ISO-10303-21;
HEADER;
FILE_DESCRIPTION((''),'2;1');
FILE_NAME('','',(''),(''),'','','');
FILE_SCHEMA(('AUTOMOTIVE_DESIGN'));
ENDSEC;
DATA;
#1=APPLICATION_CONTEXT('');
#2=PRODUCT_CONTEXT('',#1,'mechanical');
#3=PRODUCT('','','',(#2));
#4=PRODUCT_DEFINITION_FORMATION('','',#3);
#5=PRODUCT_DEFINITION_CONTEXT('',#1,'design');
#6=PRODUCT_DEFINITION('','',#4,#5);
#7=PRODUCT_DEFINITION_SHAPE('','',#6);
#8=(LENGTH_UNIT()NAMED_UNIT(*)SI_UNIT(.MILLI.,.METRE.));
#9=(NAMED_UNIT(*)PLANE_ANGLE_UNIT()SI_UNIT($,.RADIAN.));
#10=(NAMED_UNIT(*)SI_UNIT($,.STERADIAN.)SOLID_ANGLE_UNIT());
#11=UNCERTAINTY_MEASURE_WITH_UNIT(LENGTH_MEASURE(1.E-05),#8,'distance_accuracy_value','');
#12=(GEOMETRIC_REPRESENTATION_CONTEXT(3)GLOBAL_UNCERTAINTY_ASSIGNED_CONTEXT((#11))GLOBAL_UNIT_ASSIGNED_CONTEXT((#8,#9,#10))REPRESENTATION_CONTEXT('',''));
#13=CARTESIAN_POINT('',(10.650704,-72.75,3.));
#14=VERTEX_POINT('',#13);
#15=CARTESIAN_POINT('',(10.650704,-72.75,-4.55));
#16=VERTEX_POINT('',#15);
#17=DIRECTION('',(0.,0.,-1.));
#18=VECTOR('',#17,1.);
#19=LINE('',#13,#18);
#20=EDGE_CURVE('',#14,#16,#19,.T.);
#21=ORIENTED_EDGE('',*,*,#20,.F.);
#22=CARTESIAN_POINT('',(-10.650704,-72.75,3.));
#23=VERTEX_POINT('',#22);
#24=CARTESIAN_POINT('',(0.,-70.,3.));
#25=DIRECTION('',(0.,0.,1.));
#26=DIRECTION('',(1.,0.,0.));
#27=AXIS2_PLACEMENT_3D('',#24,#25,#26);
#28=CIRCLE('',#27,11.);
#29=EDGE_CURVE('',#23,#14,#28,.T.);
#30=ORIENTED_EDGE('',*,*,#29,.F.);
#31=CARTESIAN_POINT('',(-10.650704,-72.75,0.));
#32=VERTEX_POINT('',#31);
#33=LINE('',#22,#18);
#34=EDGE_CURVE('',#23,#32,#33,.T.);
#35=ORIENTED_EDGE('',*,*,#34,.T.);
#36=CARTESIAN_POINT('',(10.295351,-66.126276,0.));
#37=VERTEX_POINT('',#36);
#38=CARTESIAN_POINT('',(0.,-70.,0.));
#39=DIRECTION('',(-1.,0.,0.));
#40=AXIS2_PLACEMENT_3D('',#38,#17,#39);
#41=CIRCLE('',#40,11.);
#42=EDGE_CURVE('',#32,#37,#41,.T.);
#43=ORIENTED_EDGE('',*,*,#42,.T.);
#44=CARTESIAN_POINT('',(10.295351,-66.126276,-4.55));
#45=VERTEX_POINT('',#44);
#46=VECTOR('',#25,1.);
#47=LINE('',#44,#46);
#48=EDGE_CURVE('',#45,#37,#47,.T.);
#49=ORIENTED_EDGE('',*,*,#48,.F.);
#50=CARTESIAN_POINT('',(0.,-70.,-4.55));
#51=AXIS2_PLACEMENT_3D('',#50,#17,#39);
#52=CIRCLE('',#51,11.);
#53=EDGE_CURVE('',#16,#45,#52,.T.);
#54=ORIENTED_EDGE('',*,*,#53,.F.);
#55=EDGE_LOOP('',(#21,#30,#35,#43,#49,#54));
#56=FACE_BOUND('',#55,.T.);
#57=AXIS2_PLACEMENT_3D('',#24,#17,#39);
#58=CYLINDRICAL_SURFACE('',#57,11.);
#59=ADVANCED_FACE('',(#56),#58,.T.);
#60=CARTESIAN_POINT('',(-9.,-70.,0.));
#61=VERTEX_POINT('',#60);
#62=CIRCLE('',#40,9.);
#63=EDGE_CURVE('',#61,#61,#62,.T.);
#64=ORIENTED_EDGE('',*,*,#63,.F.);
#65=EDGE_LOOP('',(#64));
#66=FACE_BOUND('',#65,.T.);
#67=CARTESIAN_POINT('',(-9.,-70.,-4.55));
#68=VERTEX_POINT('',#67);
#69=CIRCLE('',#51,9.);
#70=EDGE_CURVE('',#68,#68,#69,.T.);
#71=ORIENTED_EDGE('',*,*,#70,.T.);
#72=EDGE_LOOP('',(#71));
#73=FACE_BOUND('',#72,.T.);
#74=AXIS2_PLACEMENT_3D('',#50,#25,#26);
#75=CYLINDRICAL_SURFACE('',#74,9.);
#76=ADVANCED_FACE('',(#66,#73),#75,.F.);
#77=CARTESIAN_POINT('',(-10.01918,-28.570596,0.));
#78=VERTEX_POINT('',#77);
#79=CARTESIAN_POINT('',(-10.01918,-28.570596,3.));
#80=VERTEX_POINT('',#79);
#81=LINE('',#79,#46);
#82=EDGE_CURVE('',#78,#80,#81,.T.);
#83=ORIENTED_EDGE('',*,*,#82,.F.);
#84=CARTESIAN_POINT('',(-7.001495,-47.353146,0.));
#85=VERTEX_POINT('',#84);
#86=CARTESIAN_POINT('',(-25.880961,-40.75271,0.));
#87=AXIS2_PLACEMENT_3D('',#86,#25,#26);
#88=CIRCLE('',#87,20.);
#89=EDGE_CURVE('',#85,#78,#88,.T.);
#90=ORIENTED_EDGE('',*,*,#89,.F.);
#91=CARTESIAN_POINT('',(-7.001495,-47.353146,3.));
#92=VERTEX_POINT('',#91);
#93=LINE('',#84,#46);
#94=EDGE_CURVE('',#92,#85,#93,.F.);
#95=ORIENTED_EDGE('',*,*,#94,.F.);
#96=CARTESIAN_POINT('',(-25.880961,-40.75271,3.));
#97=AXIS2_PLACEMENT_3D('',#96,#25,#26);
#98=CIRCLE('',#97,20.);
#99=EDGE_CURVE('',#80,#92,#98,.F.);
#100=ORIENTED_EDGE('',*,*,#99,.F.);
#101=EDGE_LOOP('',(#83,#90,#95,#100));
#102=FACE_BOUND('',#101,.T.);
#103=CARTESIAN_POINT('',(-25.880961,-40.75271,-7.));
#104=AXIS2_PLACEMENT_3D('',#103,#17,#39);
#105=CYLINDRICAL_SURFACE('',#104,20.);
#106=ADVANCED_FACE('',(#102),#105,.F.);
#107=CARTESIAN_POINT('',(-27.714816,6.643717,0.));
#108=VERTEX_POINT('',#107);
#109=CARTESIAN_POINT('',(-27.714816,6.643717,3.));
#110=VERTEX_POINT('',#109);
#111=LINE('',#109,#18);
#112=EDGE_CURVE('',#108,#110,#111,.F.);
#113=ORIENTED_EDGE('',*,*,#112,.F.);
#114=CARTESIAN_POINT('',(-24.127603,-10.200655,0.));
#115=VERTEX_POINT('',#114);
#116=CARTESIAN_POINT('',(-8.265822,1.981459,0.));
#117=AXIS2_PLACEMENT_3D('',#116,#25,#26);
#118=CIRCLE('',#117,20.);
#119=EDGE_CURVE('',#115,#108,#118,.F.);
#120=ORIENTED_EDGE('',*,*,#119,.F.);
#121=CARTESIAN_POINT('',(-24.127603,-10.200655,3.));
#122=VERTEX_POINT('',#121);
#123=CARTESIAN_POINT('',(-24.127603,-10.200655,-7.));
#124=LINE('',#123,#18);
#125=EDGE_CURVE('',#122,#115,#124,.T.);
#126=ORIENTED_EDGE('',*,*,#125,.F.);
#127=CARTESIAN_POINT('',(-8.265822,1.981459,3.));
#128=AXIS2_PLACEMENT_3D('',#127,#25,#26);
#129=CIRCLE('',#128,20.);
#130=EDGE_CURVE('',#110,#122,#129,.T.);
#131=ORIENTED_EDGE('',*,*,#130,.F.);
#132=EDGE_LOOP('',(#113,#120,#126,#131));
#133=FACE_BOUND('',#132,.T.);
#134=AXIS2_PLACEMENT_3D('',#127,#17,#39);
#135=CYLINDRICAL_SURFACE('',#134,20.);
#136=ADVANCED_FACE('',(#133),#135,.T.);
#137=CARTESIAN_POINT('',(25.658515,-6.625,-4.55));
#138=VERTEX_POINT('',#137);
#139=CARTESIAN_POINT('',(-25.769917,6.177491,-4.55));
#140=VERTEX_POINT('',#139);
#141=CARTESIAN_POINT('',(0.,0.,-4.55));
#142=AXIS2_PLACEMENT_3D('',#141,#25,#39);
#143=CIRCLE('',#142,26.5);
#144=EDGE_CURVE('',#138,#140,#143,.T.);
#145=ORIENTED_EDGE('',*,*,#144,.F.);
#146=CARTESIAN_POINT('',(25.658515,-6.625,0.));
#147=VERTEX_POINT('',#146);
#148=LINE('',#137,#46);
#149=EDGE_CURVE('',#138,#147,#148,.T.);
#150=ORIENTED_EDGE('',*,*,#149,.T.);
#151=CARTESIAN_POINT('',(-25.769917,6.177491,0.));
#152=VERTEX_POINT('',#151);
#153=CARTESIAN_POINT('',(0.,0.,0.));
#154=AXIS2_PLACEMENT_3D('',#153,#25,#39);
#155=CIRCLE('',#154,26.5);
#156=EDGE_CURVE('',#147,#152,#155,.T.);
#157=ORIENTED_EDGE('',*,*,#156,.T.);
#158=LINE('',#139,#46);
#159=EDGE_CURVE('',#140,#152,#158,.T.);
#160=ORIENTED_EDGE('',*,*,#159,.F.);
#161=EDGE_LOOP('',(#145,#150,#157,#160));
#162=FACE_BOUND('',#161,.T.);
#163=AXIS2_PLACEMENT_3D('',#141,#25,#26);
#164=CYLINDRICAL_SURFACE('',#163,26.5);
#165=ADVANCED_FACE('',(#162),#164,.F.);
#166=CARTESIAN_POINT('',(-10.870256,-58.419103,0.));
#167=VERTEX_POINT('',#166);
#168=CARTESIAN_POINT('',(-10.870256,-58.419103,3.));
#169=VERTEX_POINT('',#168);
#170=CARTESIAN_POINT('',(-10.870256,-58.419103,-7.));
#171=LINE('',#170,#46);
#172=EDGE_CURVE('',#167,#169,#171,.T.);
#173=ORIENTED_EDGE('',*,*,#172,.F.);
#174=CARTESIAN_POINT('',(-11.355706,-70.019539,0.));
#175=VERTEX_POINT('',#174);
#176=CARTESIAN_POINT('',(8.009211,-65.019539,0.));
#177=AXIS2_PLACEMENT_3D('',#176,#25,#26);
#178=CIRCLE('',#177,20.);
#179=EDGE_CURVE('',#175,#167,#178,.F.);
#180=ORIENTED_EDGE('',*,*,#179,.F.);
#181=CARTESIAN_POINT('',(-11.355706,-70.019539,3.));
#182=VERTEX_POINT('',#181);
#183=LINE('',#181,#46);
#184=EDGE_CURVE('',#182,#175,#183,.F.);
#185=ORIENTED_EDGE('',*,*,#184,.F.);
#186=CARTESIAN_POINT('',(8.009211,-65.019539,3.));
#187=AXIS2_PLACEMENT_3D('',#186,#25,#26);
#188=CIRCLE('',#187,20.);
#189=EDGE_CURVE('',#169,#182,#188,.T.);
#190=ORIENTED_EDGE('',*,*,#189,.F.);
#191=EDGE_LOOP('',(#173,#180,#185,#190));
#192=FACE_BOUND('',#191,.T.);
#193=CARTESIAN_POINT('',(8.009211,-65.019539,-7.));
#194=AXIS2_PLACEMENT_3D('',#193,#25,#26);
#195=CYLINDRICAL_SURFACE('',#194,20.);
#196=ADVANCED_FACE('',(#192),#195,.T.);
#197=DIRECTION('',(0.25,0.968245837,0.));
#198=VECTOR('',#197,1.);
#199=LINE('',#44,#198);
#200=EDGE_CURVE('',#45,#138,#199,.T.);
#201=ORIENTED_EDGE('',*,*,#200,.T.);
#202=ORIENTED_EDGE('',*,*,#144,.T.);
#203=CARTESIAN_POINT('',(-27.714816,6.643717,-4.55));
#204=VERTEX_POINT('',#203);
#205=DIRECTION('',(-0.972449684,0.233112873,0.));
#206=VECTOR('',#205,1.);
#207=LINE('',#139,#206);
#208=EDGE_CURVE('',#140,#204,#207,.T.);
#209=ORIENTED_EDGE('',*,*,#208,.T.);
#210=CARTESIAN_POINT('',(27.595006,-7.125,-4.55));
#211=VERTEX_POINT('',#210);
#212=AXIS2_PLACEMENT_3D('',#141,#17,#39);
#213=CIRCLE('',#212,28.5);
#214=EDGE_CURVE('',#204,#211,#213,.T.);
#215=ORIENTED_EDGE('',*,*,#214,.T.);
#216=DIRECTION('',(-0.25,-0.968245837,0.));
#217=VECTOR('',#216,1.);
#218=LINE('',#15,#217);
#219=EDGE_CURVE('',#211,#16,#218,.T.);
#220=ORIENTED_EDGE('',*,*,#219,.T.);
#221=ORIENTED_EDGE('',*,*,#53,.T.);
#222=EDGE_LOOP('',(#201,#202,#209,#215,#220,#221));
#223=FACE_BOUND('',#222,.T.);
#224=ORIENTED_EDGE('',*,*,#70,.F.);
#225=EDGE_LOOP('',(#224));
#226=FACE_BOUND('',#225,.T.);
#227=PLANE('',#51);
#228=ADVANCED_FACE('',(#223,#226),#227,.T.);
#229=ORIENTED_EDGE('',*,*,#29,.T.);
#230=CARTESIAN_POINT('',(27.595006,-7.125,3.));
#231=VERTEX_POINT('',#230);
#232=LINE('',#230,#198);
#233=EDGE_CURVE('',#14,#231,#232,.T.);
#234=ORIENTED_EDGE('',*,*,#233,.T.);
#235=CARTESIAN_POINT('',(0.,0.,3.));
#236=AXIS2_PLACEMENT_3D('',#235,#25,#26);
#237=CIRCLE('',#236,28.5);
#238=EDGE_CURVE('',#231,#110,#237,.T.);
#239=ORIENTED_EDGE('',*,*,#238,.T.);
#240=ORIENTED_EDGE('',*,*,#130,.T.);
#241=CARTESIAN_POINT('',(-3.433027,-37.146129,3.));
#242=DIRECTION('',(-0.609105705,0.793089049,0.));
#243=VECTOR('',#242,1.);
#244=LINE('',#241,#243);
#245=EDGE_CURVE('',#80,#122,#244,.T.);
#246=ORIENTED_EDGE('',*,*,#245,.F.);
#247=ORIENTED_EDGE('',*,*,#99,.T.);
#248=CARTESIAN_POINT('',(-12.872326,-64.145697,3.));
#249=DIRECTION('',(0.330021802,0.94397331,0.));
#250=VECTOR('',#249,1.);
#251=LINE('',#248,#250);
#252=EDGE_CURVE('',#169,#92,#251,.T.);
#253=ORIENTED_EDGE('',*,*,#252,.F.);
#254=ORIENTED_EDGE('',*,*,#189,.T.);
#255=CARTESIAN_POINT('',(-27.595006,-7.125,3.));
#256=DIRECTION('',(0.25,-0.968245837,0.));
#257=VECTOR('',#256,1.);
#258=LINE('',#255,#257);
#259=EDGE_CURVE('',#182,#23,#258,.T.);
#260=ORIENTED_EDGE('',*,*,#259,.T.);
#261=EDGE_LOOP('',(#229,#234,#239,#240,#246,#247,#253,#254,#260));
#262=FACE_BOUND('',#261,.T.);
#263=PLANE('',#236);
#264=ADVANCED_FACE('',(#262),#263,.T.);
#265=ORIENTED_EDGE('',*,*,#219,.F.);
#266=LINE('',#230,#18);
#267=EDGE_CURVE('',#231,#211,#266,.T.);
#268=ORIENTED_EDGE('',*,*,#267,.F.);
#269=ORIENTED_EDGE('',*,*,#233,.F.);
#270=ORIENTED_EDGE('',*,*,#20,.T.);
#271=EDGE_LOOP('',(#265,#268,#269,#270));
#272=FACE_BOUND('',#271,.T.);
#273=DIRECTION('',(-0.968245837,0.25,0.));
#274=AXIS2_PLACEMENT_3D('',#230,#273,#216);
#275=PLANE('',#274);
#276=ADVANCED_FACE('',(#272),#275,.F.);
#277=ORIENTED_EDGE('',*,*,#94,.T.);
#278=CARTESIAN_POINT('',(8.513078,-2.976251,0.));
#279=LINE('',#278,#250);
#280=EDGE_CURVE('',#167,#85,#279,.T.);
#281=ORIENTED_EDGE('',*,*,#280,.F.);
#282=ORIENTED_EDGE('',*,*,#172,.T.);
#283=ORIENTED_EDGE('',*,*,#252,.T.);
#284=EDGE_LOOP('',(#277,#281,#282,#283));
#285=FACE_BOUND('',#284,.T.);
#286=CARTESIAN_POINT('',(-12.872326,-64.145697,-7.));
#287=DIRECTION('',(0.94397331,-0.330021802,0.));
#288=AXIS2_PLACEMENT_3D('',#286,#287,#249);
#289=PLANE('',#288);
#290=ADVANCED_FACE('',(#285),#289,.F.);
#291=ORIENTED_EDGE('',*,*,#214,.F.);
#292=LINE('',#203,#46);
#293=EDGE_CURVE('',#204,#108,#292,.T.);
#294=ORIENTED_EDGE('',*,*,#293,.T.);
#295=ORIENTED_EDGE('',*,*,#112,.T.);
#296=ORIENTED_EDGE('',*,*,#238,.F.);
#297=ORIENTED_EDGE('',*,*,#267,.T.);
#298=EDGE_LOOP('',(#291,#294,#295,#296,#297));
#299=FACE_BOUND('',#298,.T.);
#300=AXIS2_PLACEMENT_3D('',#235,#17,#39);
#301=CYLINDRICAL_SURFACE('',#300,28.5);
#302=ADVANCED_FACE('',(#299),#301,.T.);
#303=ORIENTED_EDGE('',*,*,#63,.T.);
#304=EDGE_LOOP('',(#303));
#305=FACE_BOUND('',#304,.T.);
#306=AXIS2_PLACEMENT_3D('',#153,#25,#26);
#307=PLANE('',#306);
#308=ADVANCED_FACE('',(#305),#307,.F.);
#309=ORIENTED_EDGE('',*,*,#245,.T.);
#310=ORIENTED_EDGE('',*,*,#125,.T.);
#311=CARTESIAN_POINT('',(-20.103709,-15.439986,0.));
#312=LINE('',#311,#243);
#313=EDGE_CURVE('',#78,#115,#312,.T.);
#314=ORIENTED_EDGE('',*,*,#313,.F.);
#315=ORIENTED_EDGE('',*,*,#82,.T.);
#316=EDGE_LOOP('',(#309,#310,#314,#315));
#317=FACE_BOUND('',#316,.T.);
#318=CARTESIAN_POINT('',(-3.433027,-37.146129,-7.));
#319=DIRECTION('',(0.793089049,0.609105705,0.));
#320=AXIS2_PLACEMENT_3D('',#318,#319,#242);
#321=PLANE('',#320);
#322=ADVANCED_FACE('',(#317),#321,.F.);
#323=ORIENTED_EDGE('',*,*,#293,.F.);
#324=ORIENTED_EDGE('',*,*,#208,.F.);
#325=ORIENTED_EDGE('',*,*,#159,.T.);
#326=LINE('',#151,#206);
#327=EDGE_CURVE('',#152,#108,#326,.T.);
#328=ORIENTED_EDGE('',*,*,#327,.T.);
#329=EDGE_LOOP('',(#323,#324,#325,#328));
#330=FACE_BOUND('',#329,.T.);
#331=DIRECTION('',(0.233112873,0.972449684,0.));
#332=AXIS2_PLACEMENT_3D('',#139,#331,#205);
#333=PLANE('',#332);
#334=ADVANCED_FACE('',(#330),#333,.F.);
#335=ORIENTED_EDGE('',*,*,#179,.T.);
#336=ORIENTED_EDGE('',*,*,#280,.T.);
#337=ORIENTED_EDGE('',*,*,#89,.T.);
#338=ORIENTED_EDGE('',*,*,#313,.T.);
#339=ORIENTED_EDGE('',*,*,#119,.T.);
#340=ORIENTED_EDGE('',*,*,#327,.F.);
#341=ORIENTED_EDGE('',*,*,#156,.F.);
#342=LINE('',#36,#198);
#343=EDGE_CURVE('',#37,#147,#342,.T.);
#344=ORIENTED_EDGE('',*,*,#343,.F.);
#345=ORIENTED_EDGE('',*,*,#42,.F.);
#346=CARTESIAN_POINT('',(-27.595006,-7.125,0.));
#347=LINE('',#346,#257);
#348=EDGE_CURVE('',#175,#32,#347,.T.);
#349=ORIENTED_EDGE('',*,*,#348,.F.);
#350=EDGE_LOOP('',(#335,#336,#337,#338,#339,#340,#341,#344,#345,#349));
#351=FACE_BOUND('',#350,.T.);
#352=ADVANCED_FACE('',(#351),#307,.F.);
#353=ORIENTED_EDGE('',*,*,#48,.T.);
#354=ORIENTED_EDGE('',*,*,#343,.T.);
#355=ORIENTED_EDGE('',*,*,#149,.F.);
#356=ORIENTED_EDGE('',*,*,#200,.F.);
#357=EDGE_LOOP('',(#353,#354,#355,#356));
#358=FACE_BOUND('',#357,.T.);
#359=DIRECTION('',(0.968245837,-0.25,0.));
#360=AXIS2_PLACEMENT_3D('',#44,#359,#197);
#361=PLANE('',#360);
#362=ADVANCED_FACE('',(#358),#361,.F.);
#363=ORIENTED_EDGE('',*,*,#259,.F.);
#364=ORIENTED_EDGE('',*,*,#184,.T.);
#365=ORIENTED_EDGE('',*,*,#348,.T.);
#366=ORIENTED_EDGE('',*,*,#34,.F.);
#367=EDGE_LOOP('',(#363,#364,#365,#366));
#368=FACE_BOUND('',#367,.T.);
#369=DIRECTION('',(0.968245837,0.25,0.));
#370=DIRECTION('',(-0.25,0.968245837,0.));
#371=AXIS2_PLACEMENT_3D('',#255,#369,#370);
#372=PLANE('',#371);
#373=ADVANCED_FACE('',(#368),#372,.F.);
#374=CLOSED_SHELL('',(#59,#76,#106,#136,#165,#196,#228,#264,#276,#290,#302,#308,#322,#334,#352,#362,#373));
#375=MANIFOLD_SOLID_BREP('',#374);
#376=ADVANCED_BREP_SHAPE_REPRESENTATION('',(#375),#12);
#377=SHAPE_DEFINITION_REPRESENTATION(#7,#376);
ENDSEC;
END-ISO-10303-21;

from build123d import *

# Parameters (mm, degrees)
EXTRUDE_1_DEPTH     = 3
CUT_EXTRUDE_1_DEPTH = 10
FILLET_2_R          = 20
EXTRUDE_START       = 4.55
SKETCH_4_R          = 11
SKETCH_4_R_2        = 9
EXTRUDE_2_DEPTH     = 4.55
EXTRUDE_3_DEPTH     = 4.55


with BuildPart() as part:
    # 草图1 → 凸台-拉伸1 (new body)
    with BuildSketch(Plane.XY):
        with BuildLine():
            Line((-27.595006342, -7.125), (-10.650704202, -72.75))
            ThreePointArc((-10.650704202, -72.75), (0, -81), (10.650704202, -72.75))
            Line((10.650704202, -72.75), (27.595006342, -7.125))
            ThreePointArc((27.595006342, -7.125), (0, 28.5), (-27.595006342, -7.125))
        make_face()
    extrude(amount=EXTRUDE_1_DEPTH)

    # 草图2 → 切除-拉伸1 (cut)
    with BuildSketch(Plane.XY.offset(3)):
        Polygon((-12.872325689, -64.14569698), (-3.433026856, -37.146128717), (-28.154763001, -4.957071782), align=None)
    extrude(amount=-CUT_EXTRUDE_1_DEPTH, mode=Mode.SUBTRACT)

    # 圆角2
    fillet_2_edges = [part.edges().sort_by_distance(p)[0] for p in [
        (-12.872325689, -64.14569698, 1.5),
        (-28.03841186, -5.108567351, 1.5),
        (-3.433026856, -37.146128717, 1.5),
    ]]
    fillet(fillet_2_edges, radius=FILLET_2_R)

    # 草图4 → 凸台-拉伸2 (add)
    with BuildSketch(Plane(origin=(0, 0, 0), x_dir=(-1, 0, 0), z_dir=(0, 0, -1)).offset(EXTRUDE_START)):
        with Locations((0, -70)):
            Circle(SKETCH_4_R)
        with Locations((0, -70)):
            Circle(SKETCH_4_R_2, mode=Mode.SUBTRACT)
    extrude(amount=-EXTRUDE_2_DEPTH)

    # 草图5 → 凸台-拉伸3 (add)
    with BuildSketch(Plane(origin=(0, 0, 0), x_dir=(-1, 0, 0), z_dir=(0, 0, -1)).offset(EXTRUDE_START)):
        with BuildLine():
            Line((-10.650704202, -72.75), (-27.595006342, -7.125))
            ThreePointArc((-27.595006342, -7.125), (-6.884619071, 27.655958133), (27.714816001, 6.643716885))
            Line((27.714816001, 6.643716885), (25.769916632, 6.177491138))
            ThreePointArc((25.769916632, 6.177491138), (-6.401487908, 25.715189141), (-25.658514669, -6.625))
            Line((-25.658514669, -6.625), (-10.295351359, -66.126275643))
            ThreePointArc((-10.295351359, -66.126275643), (-10.984204203, -69.410713976), (-10.650704202, -72.75))
        make_face()
    extrude(amount=-EXTRUDE_3_DEPTH)


solid = part.part
